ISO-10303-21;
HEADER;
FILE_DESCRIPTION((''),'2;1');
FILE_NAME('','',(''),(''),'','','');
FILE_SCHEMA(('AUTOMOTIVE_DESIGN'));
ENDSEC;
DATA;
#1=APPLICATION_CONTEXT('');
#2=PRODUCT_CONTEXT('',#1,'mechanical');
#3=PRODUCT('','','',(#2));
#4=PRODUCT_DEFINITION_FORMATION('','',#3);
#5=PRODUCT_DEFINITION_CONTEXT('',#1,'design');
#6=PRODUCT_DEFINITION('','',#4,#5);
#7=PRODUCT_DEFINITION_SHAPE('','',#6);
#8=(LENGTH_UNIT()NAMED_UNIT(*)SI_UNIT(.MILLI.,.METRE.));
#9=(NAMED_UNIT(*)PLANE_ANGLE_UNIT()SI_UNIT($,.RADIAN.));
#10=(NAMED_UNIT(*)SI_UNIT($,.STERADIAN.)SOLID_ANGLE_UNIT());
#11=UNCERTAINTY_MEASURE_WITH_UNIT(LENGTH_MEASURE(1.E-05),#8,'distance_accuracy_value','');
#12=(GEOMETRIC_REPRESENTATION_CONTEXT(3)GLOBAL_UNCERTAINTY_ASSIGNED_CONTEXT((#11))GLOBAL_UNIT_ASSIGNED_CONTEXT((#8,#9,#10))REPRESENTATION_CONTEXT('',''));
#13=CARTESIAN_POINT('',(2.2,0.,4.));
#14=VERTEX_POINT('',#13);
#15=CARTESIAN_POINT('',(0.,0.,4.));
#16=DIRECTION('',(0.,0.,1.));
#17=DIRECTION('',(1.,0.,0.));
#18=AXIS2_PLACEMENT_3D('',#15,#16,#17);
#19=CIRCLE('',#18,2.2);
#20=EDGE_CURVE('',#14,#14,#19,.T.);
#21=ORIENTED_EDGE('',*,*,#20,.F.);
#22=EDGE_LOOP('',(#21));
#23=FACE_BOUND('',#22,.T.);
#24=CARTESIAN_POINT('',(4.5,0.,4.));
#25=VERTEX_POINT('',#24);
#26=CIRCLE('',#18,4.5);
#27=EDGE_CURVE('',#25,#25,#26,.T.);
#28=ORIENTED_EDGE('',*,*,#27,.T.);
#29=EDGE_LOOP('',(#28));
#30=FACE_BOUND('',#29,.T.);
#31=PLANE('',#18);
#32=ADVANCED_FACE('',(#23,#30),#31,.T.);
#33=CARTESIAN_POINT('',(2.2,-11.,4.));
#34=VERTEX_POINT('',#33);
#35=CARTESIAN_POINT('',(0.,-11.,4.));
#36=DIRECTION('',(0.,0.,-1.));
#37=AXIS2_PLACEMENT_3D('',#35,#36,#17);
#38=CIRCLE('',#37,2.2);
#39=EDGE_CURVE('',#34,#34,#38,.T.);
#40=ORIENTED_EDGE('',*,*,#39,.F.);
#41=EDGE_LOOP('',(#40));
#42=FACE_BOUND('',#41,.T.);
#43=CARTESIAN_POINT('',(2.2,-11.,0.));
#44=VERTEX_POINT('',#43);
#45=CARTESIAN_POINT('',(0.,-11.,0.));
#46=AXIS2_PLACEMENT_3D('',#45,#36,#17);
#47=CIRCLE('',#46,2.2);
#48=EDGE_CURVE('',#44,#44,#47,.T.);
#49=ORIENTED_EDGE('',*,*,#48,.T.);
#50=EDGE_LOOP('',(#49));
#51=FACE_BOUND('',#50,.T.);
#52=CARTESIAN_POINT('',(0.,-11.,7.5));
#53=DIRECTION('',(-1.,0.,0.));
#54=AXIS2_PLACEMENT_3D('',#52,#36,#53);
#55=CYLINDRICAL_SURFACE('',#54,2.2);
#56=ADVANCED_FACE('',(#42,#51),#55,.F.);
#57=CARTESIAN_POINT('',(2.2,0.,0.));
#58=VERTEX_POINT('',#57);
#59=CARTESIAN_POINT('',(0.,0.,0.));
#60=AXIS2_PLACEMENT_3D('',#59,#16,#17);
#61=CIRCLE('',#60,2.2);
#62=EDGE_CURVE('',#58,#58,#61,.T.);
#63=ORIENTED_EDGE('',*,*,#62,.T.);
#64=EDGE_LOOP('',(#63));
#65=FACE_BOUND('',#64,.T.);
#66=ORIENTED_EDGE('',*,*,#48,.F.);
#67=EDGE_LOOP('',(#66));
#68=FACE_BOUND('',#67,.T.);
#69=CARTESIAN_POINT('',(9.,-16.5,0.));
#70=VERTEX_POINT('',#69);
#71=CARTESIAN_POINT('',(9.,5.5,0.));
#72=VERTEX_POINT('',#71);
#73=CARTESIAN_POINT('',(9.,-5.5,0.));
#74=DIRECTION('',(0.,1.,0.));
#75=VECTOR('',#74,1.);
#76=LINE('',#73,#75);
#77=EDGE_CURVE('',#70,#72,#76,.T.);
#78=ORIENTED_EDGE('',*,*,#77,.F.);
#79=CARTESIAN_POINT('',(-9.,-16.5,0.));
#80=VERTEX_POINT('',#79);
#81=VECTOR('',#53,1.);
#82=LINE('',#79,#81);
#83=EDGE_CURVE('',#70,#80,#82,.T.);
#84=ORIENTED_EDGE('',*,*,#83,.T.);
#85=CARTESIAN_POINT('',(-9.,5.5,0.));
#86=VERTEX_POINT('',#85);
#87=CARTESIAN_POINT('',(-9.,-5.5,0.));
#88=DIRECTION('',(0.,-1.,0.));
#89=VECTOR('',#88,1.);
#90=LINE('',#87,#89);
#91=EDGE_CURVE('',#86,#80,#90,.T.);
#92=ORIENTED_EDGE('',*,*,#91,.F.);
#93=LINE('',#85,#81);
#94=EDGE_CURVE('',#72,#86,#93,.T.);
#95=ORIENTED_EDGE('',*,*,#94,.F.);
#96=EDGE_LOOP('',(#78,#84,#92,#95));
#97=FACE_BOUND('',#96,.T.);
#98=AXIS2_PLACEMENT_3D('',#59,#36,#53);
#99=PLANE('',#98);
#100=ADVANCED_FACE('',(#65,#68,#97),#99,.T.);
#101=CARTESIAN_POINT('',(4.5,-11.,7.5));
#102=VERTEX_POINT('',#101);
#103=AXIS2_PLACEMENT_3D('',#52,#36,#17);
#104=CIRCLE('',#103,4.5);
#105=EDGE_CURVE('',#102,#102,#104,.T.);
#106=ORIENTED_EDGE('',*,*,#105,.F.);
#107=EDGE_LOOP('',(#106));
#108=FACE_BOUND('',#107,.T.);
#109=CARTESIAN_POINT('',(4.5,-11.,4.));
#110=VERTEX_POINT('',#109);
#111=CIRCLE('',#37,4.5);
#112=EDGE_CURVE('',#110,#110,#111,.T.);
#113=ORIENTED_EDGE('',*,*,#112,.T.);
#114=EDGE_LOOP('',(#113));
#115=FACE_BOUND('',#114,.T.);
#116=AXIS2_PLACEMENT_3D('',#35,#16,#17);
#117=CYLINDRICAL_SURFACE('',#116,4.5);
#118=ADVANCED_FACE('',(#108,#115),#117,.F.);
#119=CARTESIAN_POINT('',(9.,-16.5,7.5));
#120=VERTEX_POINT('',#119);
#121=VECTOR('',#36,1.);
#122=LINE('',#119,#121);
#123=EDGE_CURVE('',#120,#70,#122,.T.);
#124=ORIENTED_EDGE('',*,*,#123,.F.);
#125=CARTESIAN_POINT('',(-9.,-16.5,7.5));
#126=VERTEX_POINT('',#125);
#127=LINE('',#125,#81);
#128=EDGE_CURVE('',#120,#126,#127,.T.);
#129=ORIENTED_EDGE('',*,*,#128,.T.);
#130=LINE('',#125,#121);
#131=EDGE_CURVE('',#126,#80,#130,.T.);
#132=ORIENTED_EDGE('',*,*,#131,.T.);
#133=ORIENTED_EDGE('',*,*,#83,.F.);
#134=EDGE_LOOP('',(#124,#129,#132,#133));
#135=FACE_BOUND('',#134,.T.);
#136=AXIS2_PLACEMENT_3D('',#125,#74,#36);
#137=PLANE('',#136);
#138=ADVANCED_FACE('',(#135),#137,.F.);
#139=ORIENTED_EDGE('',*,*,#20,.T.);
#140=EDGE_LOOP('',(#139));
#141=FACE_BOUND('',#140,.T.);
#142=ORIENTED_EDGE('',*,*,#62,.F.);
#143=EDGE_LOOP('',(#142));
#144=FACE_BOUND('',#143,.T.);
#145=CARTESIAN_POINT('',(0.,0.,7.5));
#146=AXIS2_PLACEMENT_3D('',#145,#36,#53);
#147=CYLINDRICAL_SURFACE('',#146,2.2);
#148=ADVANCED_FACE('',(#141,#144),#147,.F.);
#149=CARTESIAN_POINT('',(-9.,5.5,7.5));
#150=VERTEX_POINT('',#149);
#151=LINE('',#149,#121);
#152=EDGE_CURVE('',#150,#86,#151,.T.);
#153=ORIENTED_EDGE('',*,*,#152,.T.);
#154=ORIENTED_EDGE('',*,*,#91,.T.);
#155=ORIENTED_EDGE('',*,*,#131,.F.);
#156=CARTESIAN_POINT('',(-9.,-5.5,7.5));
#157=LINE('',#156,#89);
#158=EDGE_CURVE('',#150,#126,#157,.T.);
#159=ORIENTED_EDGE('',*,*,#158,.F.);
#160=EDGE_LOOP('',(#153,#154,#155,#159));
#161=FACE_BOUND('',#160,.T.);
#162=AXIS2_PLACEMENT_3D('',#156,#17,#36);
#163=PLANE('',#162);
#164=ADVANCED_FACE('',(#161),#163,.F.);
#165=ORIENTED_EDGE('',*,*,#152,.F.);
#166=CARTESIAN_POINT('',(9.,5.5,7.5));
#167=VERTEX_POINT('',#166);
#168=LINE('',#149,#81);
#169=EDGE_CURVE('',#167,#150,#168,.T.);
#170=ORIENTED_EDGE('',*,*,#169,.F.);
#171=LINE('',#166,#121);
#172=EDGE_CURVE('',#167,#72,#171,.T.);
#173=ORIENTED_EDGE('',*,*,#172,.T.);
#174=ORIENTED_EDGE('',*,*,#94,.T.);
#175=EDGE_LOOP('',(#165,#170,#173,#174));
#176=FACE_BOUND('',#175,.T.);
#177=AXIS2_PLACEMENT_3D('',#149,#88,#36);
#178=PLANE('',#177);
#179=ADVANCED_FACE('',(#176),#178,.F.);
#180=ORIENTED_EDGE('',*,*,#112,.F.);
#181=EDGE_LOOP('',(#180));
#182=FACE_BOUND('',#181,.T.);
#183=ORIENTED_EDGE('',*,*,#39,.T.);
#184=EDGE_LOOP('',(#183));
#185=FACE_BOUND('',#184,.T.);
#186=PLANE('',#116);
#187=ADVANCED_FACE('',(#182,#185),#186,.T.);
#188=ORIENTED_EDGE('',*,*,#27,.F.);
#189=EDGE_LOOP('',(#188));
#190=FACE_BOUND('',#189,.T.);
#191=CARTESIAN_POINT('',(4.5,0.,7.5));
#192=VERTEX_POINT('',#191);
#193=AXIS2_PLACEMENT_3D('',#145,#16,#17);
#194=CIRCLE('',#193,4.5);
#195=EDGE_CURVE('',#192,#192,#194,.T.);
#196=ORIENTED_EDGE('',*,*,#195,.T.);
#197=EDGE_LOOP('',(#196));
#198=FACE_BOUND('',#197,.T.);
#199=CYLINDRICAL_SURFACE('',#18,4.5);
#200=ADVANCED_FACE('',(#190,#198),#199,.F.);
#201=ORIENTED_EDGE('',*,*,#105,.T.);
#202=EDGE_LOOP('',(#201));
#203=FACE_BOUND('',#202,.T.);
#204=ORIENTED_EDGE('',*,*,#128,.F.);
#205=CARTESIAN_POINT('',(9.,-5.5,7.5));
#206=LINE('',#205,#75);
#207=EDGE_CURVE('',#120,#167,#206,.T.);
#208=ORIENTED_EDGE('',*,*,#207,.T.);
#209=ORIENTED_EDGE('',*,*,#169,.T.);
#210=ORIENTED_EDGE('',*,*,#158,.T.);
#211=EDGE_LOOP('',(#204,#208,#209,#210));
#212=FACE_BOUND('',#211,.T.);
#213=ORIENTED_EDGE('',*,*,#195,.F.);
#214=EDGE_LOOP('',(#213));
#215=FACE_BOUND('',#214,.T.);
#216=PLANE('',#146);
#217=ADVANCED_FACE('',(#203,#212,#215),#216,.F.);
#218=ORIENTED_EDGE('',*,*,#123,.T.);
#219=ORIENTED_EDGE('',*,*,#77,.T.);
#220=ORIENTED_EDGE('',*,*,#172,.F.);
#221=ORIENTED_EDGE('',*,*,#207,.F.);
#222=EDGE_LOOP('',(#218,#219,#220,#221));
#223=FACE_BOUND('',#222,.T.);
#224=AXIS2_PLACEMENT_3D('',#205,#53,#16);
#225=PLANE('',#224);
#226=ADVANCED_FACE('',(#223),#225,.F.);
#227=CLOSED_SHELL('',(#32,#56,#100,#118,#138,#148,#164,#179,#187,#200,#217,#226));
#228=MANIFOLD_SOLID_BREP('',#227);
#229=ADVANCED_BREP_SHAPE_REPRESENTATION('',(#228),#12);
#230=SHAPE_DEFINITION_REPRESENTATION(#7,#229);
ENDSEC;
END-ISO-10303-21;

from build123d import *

# Parameters (mm, degrees)
SKIZZE1_W                       = 18
SKIZZE1_H                       = 11
SKIZZE1_R                       = 2.2
AUFSATZ_LINEAR_AUSTRAGEN1_DEPTH = 7.5
SKIZZE2_R                       = 4.5
SCHNITT_LINEAR_AUSTRAGEN1_DEPTH = 3.5


with BuildPart() as part:
    # Skizze1 → Aufsatz-Linear austragen1 (new body)
    with BuildSketch(Plane.XY):
        Rectangle(SKIZZE1_W, SKIZZE1_H)
        Circle(SKIZZE1_R, mode=Mode.SUBTRACT)
    extrude(amount=AUFSATZ_LINEAR_AUSTRAGEN1_DEPTH)

    # Skizze2 → Schnitt-Linear austragen1 (cut)
    with BuildSketch(Plane.XY.offset(7.5)):
        Circle(SKIZZE2_R)
    extrude(amount=-SCHNITT_LINEAR_AUSTRAGEN1_DEPTH, mode=Mode.SUBTRACT)

    # Spiegeln1: part across plane


with BuildPart() as part_1:
    add(part.part)
    add(part.part.mirror(Plane(origin=(-9, -5.5, 7.5), x_dir=(0, 0, 1), z_dir=(0, 1, 0))))


solid = part_1.part
